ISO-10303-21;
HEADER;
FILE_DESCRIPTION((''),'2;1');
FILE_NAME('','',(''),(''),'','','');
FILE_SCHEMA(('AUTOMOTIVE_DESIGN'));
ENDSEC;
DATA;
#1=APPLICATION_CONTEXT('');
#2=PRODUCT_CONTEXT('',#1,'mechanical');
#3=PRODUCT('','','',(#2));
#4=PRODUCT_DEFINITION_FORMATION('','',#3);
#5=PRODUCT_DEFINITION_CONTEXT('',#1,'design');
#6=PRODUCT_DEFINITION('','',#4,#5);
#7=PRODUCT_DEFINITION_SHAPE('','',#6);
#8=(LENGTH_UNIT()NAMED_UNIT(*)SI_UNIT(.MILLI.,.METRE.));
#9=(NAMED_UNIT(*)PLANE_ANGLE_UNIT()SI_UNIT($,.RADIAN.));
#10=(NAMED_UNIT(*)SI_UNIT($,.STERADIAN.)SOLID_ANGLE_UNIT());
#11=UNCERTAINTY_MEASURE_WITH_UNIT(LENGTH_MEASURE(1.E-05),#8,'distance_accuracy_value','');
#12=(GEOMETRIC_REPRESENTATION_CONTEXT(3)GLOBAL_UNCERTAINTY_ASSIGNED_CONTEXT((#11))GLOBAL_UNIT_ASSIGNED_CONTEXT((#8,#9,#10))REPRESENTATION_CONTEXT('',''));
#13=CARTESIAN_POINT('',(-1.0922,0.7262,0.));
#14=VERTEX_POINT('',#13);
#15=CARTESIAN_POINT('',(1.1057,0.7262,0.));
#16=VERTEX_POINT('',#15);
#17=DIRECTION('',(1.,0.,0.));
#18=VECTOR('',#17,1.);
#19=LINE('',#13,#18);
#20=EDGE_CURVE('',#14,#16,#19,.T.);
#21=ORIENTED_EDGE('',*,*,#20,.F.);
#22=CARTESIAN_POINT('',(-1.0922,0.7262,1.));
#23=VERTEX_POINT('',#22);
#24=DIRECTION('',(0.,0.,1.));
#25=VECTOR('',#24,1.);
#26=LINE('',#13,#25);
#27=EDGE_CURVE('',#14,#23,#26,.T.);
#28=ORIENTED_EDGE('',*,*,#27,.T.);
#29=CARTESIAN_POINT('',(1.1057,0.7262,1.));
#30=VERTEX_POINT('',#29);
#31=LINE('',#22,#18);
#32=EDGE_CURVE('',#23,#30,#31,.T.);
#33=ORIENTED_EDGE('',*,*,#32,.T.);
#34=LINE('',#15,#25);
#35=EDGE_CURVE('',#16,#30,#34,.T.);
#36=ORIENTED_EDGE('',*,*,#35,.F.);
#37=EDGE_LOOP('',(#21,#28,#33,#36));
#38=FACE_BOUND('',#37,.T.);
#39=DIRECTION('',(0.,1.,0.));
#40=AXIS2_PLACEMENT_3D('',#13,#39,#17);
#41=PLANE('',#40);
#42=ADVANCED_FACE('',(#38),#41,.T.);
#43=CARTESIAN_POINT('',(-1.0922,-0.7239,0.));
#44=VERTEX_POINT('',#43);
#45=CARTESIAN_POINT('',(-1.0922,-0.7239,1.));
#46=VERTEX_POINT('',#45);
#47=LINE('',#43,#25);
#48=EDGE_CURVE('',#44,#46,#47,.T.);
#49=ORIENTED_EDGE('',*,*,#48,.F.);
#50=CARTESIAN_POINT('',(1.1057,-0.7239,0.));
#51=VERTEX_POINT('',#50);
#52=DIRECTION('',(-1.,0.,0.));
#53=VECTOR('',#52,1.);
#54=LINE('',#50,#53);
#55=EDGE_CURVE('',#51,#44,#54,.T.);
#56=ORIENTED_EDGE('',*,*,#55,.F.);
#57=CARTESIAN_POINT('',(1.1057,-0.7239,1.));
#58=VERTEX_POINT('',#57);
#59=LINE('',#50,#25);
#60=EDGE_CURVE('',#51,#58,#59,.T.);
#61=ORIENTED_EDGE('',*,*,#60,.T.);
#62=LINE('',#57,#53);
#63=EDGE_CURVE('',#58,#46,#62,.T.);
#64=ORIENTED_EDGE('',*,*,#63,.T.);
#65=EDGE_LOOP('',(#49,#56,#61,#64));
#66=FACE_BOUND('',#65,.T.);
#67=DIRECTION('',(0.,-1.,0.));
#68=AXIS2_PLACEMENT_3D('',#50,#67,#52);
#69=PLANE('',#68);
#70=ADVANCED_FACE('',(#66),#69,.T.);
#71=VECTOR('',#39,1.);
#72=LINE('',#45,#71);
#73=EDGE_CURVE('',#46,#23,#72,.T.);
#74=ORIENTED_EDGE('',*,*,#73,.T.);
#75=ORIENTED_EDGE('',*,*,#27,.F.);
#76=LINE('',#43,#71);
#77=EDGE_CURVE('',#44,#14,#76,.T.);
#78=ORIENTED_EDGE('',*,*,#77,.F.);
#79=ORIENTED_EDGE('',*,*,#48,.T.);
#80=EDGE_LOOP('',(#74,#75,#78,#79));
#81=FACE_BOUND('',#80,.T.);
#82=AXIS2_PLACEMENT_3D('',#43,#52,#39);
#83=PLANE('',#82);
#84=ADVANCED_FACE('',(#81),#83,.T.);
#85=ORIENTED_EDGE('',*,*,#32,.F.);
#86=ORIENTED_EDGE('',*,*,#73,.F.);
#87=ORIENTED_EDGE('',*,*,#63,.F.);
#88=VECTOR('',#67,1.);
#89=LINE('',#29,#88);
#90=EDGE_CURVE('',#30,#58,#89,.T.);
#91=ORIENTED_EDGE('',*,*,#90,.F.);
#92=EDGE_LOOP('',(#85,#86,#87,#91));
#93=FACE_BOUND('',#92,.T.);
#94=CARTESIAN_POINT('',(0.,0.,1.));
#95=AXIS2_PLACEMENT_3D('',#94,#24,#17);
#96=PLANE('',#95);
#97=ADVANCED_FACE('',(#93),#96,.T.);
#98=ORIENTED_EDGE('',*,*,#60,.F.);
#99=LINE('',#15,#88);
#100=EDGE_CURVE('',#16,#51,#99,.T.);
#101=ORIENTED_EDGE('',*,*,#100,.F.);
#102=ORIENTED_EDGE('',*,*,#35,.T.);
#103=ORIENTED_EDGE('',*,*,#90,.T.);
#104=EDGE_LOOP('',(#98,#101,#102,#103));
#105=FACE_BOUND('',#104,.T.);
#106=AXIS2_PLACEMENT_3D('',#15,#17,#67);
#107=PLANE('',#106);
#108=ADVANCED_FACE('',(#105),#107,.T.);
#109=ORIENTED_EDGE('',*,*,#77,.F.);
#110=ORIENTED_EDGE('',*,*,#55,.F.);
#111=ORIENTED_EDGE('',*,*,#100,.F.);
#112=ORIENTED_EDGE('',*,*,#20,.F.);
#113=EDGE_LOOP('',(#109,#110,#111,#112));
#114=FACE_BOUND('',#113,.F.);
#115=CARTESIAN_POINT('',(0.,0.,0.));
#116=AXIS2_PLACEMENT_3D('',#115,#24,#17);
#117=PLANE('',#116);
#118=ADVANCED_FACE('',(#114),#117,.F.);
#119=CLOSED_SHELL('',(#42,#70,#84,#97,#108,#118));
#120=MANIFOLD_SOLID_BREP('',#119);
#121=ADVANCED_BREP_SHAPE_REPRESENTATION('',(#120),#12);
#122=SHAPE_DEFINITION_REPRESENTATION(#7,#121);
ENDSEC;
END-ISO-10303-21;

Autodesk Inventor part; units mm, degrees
ref_plane "YZ Plane" through (0, 0, 0) normal (1, 0, 0) x (0, 1, 0)
ref_plane "XZ Plane" through (0, 0, 0) normal (0, 1, 0) x (-1, 0, 0)
ref_plane "XY Plane" through (0, 0, 0) normal (0, 0, 1) x (1, 0, 0)
sketch "0805-NO, 10UF_9" plane through (0, 0, 0) normal (0, 0, 1) x (1, 0, 0)
  line L0 (-1.0922, 0.7262) -> (1.1057, 0.7262)
  line L1 (1.1057, 0.7262) -> (1.1057, -0.7239)
  line L2 (1.1057, -0.7239) -> (-1.0922, -0.7239)
  line L3 (-1.0922, -0.7239) -> (-1.0922, 0.7262)
extrude "Extrusion1" add sketch "0805-NO, 10UF_9" along normal blind 1
properties part number "10UF"
